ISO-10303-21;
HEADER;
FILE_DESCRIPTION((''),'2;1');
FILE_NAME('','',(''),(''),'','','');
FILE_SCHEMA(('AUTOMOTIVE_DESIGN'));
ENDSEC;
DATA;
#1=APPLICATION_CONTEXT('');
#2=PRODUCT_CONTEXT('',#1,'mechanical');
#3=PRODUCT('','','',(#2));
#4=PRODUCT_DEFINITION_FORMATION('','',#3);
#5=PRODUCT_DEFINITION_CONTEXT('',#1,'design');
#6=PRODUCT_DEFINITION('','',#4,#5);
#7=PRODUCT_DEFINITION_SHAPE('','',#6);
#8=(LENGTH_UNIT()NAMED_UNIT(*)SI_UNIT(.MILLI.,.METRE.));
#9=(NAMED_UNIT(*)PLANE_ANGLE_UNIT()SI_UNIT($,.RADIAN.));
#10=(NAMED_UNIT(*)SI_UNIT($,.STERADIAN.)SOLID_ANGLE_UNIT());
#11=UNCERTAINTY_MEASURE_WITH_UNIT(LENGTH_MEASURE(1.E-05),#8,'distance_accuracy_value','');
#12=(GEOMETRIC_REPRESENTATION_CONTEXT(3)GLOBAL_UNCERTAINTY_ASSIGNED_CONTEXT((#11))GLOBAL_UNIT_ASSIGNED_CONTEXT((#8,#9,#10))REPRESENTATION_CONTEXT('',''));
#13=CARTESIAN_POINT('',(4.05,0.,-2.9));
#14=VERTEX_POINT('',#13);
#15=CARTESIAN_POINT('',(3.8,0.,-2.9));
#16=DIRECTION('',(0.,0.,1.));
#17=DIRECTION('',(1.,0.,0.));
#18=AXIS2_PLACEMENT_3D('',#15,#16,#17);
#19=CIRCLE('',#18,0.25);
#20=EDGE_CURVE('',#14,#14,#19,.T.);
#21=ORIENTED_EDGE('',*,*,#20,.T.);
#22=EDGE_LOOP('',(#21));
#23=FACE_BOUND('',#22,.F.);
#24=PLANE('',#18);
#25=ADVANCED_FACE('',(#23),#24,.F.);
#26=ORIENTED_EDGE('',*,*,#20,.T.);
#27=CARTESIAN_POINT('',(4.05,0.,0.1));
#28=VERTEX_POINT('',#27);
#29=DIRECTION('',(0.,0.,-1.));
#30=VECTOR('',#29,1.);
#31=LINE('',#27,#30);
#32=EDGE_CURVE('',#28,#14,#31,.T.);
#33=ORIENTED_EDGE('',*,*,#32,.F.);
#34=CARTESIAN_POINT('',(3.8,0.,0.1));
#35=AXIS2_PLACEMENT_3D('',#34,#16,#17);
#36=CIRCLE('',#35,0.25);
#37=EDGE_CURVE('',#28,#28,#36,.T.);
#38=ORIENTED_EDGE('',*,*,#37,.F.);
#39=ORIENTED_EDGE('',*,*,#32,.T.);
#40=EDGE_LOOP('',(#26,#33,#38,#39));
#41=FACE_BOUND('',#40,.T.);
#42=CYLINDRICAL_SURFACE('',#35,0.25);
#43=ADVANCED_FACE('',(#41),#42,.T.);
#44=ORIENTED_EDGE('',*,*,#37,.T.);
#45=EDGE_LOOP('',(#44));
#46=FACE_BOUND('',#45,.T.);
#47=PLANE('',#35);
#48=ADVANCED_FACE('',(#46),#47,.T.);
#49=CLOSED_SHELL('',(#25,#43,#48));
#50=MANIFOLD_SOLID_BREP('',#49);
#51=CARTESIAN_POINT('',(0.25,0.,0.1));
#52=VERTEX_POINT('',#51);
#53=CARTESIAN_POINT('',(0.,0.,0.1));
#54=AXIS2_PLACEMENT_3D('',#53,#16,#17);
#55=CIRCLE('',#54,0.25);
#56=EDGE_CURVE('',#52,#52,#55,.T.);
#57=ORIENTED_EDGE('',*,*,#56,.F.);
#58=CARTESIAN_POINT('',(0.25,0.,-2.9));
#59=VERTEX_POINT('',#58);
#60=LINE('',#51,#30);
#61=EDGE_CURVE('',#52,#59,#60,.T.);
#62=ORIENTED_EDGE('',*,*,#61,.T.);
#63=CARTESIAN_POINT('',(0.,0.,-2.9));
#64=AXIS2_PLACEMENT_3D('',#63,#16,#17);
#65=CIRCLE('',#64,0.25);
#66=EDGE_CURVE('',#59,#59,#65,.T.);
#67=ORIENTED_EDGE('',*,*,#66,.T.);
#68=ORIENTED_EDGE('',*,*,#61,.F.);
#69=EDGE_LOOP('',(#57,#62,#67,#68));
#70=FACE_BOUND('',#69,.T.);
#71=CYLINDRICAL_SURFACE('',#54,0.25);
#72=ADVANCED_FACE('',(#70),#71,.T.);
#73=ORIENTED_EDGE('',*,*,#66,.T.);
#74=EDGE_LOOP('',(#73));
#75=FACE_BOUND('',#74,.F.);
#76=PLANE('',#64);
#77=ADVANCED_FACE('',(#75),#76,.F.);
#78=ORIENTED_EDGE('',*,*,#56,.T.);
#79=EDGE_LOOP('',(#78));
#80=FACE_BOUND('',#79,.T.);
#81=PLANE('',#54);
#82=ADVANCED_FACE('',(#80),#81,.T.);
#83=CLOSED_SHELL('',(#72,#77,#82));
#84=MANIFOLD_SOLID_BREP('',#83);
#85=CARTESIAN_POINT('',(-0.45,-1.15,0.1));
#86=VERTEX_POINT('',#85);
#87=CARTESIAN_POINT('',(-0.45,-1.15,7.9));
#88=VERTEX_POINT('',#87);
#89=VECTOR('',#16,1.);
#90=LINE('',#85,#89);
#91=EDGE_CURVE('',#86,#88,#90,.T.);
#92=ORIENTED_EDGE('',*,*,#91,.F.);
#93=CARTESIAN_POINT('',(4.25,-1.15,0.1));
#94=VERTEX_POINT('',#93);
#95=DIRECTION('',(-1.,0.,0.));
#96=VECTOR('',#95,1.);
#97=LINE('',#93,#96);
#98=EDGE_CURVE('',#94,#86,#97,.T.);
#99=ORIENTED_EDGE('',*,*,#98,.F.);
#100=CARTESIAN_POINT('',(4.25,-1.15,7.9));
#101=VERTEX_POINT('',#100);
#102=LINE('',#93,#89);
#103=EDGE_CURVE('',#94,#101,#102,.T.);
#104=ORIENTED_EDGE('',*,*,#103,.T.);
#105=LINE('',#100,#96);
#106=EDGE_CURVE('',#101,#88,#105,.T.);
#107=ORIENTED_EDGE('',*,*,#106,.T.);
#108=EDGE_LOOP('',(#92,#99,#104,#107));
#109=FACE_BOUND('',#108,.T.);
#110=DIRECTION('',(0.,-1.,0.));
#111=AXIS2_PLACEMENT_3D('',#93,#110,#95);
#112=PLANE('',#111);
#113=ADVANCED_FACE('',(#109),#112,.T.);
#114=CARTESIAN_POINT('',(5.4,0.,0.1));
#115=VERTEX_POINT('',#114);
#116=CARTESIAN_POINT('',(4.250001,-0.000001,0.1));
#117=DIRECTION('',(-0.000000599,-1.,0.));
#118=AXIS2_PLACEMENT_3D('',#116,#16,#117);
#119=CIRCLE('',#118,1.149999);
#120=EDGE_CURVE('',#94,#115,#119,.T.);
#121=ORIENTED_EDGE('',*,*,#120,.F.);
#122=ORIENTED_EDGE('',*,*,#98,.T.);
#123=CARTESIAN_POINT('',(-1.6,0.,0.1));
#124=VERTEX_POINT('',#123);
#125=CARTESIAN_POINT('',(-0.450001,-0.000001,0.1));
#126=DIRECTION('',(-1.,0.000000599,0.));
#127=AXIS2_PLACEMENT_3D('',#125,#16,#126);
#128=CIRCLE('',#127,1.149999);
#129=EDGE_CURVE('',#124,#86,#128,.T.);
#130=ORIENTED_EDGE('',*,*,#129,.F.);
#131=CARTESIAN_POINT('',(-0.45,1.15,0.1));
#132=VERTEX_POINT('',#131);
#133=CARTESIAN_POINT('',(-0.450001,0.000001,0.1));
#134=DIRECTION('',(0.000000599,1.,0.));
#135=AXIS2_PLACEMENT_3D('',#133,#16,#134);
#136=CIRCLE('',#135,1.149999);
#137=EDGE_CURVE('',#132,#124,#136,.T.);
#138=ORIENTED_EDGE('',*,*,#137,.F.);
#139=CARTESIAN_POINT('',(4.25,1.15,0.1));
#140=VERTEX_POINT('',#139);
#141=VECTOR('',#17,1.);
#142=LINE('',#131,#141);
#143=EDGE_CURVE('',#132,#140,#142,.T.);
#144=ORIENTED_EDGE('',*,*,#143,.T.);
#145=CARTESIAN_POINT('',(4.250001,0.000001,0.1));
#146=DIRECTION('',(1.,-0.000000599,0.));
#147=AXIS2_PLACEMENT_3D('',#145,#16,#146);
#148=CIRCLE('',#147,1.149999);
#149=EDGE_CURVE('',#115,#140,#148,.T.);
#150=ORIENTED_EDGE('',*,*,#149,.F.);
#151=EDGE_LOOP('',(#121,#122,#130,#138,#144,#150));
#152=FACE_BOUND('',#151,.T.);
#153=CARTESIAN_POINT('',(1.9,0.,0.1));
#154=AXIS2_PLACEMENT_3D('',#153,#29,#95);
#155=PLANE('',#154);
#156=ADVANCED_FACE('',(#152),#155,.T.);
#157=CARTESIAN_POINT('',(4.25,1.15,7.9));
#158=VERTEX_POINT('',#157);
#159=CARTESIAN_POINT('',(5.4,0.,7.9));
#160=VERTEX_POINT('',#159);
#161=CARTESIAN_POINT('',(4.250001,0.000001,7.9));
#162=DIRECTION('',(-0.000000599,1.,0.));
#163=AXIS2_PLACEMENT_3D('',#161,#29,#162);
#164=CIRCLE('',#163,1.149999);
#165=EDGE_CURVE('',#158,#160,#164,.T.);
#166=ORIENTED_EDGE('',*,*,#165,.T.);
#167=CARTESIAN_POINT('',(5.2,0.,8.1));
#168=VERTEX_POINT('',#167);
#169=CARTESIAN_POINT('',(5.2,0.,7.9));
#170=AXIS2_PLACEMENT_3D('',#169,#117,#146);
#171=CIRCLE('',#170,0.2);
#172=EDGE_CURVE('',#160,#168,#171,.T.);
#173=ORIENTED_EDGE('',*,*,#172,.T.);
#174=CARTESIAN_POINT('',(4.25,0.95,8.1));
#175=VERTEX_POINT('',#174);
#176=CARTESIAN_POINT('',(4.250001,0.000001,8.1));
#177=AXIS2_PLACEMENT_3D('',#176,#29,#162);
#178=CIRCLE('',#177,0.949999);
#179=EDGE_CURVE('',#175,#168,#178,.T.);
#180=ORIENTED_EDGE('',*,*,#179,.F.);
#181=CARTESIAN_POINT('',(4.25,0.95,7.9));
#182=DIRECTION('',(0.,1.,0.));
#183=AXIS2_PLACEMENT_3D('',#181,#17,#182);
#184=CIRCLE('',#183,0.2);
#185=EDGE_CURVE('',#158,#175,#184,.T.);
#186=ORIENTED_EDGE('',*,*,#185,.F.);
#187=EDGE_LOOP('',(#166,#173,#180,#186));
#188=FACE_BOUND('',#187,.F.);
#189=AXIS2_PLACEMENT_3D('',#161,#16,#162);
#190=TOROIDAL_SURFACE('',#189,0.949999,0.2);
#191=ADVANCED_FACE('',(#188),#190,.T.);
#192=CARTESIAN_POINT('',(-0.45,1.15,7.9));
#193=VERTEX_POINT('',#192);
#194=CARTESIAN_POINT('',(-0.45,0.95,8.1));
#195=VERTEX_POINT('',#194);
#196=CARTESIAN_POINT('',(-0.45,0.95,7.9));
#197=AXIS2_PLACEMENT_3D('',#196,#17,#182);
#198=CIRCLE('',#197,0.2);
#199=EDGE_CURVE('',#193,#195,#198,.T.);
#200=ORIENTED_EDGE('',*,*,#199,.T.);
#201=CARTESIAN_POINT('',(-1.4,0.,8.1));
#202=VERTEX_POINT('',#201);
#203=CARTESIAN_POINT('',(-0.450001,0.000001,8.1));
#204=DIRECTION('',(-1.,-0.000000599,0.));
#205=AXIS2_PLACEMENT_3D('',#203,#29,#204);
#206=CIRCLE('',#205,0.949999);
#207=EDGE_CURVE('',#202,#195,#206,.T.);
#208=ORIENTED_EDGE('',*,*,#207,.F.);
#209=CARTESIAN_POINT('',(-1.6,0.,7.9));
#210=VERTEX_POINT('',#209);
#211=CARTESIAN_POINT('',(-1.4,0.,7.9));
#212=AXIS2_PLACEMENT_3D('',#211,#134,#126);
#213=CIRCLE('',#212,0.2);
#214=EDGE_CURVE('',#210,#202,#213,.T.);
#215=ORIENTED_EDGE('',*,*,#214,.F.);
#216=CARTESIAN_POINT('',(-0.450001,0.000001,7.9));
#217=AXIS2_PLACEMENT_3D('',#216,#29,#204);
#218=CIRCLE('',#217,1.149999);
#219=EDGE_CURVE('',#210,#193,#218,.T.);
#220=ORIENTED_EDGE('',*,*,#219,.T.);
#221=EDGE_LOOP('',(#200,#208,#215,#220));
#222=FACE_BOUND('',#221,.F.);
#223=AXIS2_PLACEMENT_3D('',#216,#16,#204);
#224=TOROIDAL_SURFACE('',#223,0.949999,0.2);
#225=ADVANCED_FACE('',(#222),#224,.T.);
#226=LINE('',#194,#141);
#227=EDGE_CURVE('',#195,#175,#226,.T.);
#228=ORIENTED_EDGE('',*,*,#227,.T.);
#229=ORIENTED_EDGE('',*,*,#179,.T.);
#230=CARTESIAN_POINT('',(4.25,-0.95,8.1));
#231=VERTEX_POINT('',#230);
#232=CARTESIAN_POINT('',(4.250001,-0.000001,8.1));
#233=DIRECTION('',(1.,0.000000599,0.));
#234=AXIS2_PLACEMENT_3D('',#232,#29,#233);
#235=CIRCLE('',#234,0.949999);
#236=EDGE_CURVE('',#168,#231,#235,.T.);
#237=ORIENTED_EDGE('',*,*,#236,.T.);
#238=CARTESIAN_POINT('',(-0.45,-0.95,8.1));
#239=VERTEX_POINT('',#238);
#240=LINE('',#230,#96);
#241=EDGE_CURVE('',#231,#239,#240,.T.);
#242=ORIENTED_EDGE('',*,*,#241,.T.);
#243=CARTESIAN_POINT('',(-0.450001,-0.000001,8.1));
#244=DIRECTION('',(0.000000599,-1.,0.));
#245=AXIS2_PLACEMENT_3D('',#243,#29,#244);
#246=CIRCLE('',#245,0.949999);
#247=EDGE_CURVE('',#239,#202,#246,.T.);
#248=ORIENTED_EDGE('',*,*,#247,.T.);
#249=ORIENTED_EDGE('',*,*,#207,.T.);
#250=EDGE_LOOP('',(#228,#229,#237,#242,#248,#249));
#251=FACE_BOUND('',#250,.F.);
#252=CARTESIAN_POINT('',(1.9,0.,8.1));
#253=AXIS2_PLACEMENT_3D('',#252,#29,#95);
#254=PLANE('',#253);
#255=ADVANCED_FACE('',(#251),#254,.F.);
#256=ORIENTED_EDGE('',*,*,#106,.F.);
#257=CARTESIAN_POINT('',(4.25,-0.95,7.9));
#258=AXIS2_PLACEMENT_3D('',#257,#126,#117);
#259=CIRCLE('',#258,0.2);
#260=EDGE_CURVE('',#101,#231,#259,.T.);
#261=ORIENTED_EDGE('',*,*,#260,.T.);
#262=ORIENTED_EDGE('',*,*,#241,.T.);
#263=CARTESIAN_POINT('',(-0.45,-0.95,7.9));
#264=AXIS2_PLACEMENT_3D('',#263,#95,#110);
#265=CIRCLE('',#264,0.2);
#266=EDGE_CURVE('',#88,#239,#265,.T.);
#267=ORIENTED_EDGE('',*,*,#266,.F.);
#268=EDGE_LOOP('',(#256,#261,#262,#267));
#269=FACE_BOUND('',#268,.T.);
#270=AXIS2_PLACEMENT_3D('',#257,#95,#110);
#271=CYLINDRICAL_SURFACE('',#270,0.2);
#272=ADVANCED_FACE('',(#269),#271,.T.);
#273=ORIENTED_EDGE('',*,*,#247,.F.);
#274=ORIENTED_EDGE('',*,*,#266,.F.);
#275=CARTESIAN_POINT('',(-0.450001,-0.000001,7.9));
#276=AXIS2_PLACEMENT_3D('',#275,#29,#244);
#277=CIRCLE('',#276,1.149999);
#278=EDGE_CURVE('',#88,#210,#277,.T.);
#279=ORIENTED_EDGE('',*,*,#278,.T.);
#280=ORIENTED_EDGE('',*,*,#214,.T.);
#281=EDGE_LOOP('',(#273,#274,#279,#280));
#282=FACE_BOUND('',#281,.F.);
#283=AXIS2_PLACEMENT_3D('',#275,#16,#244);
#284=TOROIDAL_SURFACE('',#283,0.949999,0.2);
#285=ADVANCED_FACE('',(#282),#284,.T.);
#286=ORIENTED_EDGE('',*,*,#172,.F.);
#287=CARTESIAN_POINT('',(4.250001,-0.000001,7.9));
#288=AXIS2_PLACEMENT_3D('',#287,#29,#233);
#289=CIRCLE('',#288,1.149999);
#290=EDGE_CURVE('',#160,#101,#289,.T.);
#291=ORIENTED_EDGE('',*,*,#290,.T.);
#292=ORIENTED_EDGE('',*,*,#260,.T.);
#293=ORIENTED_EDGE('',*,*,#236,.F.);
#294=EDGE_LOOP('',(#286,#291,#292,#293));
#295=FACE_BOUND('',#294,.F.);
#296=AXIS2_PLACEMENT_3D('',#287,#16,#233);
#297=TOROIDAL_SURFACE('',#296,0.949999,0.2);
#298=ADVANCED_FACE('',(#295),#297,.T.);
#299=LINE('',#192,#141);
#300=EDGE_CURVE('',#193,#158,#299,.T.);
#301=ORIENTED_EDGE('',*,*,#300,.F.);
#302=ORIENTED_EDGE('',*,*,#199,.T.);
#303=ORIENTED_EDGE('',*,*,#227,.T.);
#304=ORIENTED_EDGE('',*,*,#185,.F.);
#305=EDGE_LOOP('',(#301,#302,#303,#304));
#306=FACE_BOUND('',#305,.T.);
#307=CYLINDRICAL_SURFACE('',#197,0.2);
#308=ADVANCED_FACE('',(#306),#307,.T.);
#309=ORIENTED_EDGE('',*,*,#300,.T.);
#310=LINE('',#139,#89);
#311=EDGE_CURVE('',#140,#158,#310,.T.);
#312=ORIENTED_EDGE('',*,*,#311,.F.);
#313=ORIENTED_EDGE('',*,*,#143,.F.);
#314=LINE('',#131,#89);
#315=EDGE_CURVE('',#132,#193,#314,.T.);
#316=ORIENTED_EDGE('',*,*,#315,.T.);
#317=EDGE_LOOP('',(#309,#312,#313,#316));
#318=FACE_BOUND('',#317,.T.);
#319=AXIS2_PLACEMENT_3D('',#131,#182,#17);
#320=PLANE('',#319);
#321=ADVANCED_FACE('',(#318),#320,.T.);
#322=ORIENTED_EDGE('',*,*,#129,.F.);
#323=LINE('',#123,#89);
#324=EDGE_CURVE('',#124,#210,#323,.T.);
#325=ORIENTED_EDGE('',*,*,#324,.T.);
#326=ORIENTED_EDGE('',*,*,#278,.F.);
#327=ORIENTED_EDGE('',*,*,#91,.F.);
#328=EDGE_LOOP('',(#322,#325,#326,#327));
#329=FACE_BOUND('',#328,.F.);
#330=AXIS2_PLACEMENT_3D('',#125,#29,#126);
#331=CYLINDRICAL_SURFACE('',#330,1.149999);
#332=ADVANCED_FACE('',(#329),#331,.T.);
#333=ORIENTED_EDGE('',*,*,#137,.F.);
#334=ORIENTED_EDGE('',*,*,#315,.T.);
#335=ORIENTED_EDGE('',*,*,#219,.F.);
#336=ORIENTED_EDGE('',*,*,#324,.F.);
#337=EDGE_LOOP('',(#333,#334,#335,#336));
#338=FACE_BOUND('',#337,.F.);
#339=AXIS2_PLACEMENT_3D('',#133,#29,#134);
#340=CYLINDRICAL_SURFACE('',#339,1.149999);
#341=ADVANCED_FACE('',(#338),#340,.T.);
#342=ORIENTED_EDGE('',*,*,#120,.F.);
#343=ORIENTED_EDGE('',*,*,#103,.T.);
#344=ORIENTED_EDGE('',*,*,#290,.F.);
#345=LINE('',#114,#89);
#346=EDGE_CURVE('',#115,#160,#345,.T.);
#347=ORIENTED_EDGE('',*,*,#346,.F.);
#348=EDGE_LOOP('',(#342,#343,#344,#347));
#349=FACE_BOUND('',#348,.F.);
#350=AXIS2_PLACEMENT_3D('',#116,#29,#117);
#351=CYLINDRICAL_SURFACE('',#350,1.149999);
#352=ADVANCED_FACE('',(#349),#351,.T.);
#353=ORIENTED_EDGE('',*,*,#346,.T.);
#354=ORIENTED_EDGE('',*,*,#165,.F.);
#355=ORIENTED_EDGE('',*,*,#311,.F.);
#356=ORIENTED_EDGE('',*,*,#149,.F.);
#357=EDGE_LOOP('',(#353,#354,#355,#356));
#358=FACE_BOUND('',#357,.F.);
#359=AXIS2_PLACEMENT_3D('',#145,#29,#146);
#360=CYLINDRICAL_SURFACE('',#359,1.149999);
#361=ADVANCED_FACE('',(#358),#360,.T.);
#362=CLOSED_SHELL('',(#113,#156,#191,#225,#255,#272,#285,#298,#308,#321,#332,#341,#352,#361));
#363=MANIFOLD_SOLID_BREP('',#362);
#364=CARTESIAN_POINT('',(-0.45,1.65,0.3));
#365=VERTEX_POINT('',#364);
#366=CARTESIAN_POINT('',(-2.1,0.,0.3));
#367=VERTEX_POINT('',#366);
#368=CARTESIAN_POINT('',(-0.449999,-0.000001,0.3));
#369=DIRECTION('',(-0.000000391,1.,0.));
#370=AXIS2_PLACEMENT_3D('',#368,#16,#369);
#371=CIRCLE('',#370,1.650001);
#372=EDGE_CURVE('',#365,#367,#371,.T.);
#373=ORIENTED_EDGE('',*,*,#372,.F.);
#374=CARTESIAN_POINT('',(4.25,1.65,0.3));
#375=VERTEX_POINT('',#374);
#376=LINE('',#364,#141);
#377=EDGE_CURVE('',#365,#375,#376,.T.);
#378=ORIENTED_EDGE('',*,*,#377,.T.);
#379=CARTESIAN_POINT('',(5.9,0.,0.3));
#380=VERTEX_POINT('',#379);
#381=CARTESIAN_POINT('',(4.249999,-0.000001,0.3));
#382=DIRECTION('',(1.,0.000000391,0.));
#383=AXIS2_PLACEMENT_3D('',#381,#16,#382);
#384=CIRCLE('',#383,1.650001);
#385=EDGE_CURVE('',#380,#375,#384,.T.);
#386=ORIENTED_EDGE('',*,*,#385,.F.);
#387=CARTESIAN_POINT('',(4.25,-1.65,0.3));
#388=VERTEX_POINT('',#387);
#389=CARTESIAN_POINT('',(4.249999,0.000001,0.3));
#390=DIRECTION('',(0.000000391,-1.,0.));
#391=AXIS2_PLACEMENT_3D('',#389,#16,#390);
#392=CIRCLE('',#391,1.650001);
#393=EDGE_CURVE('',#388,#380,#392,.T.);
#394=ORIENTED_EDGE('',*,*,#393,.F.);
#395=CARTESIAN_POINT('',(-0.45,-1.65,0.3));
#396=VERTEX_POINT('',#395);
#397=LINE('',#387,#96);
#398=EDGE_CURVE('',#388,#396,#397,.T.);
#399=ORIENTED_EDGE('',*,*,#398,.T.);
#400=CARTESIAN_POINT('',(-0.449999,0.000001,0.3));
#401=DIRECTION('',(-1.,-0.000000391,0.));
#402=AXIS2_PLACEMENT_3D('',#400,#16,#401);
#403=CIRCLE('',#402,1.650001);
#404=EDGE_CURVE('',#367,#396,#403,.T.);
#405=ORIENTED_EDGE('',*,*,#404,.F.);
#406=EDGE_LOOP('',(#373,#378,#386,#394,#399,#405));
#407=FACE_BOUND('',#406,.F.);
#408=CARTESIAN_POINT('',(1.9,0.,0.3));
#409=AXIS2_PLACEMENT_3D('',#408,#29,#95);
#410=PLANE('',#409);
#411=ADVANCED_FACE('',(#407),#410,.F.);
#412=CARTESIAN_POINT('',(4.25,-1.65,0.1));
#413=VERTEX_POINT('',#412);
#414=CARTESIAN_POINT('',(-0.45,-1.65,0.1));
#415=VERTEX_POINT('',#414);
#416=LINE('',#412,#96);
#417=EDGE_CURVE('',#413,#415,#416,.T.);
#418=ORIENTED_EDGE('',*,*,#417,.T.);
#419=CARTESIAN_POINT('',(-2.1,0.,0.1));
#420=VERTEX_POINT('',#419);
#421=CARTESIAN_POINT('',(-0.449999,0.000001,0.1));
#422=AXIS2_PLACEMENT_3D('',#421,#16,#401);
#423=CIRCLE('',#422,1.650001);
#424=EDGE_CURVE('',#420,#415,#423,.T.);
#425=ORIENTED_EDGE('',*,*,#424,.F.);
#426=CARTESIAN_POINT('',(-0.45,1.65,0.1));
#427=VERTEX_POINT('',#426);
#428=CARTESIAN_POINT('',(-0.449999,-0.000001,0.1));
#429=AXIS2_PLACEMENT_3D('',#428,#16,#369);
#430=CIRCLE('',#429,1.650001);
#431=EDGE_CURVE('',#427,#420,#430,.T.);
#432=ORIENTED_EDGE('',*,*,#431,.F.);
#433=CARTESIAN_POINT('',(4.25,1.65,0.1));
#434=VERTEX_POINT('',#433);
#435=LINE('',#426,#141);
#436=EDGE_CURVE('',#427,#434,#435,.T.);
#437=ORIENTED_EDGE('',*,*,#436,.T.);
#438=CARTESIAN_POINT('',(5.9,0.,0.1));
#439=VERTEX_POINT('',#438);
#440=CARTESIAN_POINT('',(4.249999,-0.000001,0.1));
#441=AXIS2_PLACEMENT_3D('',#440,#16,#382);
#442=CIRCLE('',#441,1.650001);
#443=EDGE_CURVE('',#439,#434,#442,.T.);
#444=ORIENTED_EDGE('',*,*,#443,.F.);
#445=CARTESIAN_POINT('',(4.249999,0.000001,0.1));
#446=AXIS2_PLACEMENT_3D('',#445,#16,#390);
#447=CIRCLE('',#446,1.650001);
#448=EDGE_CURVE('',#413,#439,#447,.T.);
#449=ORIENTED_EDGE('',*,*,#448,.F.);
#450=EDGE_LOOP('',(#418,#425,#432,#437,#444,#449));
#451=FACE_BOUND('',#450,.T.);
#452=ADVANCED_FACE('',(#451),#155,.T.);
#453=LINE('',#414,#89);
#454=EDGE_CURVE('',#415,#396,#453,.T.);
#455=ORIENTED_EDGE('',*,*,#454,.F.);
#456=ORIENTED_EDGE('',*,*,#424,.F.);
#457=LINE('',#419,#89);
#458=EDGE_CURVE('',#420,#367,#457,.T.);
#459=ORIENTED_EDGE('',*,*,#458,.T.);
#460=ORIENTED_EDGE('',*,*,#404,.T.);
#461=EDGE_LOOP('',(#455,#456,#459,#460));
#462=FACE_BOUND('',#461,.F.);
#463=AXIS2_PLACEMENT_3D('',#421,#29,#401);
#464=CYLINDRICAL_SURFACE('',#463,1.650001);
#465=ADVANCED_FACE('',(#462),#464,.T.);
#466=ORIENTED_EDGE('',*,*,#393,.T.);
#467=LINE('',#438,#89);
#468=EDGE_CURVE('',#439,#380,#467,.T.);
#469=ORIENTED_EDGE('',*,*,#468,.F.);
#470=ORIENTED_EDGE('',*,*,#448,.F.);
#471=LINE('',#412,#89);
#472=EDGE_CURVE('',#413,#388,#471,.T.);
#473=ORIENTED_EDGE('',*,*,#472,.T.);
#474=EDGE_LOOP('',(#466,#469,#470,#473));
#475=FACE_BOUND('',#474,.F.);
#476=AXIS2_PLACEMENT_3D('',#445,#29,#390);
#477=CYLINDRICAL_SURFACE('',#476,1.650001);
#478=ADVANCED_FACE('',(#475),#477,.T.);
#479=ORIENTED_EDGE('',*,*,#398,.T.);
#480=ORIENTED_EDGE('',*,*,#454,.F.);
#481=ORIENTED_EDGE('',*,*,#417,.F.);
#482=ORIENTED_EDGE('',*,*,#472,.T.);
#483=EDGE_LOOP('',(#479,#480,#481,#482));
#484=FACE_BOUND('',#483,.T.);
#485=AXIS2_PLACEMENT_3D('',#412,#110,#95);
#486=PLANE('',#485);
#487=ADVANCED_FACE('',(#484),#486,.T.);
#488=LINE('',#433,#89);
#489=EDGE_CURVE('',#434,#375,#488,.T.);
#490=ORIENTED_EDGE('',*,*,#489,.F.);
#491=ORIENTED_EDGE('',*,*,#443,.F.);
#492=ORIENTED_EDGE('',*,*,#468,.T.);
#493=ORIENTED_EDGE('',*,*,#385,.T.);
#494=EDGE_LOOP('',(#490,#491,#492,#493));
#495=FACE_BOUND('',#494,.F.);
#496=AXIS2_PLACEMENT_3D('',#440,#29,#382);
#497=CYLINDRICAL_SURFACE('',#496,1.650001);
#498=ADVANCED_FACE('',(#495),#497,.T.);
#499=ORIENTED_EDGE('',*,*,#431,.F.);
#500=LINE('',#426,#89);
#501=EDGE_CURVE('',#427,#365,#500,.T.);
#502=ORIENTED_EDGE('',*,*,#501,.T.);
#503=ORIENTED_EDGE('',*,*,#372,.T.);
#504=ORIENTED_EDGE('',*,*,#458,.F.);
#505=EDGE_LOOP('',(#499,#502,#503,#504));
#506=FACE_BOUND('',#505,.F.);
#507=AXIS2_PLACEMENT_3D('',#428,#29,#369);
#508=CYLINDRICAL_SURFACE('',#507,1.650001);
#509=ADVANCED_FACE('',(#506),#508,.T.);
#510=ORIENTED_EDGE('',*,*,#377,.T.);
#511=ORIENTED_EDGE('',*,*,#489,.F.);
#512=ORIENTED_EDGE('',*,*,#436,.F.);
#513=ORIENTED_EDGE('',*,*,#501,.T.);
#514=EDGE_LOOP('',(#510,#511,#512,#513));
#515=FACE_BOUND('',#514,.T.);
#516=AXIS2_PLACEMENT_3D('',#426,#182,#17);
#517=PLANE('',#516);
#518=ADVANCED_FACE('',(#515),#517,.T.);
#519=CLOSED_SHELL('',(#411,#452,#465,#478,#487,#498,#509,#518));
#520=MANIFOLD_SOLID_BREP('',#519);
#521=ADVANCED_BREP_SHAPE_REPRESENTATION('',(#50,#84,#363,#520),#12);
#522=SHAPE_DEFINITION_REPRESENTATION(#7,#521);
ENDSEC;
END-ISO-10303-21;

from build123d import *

# Parameters (mm, degrees)
SKETCH_R     = 0.25
PAD_DEPTH    = 3
PAD001_DEPTH = 0.2
PAD002_DEPTH = 8
FILLET_R     = 0.2


with BuildPart() as pad:
    # Sketch → Pad (new body)
    with BuildSketch(Plane.XY.offset(0.1)):
        Circle(SKETCH_R)
        with Locations((3.8, 0)):
            Circle(SKETCH_R)
    extrude(amount=-PAD_DEPTH)


with BuildPart() as pad001:
    # Sketch001 → Pad001 (new body)
    with BuildSketch(Plane.XY.offset(0.1)):
        with BuildLine():
            Line((-0.45, 1.65), (4.25, 1.65))
            ThreePointArc((5.9, 0), (5.416726, 1.166726), (4.25, 1.65))
            ThreePointArc((4.25, -1.65), (5.416726, -1.166726), (5.9, 0))
            Line((4.25, -1.65), (-0.45, -1.65))
            ThreePointArc((-2.1, 0), (-1.616726, -1.166726), (-0.45, -1.65))
            ThreePointArc((-0.45, 1.65), (-1.616726, 1.166726), (-2.1, 0))
        make_face()
    extrude(amount=PAD001_DEPTH)


with BuildPart() as fillet_body:
    # Sketch003 → Pad002 (new body)
    with BuildSketch(Plane.XY.offset(0.1)):
        with BuildLine():
            Line((-0.45, 1.15), (4.25, 1.15))
            ThreePointArc((5.4, 0), (5.063173, 0.813173), (4.25, 1.15))
            ThreePointArc((4.25, -1.15), (5.063173, -0.813173), (5.4, 0))
            Line((4.25, -1.15), (-0.45, -1.15))
            ThreePointArc((-1.6, 0), (-1.263173, -0.813173), (-0.45, -1.15))
            ThreePointArc((-0.45, 1.15), (-1.263173, 0.813173), (-1.6, 0))
        make_face()
    extrude(amount=PAD002_DEPTH)

    # Fillet
    fillet_edges = [fillet_body.edges().sort_by_distance(p)[0] for p in [
        (1.9, 1.15, 8.1),
        (-1.263173, 0.813173, 8.1),
        (-1.263173, -0.813173, 8.1),
        (1.9, -1.15, 8.1),
        (5.063173, -0.813173, 8.1),
        (5.063173, 0.813173, 8.1),
    ]]
    fillet(fillet_edges, radius=FILLET_R)


solid = Compound([pad.part, pad001.part, fillet_body.part])
